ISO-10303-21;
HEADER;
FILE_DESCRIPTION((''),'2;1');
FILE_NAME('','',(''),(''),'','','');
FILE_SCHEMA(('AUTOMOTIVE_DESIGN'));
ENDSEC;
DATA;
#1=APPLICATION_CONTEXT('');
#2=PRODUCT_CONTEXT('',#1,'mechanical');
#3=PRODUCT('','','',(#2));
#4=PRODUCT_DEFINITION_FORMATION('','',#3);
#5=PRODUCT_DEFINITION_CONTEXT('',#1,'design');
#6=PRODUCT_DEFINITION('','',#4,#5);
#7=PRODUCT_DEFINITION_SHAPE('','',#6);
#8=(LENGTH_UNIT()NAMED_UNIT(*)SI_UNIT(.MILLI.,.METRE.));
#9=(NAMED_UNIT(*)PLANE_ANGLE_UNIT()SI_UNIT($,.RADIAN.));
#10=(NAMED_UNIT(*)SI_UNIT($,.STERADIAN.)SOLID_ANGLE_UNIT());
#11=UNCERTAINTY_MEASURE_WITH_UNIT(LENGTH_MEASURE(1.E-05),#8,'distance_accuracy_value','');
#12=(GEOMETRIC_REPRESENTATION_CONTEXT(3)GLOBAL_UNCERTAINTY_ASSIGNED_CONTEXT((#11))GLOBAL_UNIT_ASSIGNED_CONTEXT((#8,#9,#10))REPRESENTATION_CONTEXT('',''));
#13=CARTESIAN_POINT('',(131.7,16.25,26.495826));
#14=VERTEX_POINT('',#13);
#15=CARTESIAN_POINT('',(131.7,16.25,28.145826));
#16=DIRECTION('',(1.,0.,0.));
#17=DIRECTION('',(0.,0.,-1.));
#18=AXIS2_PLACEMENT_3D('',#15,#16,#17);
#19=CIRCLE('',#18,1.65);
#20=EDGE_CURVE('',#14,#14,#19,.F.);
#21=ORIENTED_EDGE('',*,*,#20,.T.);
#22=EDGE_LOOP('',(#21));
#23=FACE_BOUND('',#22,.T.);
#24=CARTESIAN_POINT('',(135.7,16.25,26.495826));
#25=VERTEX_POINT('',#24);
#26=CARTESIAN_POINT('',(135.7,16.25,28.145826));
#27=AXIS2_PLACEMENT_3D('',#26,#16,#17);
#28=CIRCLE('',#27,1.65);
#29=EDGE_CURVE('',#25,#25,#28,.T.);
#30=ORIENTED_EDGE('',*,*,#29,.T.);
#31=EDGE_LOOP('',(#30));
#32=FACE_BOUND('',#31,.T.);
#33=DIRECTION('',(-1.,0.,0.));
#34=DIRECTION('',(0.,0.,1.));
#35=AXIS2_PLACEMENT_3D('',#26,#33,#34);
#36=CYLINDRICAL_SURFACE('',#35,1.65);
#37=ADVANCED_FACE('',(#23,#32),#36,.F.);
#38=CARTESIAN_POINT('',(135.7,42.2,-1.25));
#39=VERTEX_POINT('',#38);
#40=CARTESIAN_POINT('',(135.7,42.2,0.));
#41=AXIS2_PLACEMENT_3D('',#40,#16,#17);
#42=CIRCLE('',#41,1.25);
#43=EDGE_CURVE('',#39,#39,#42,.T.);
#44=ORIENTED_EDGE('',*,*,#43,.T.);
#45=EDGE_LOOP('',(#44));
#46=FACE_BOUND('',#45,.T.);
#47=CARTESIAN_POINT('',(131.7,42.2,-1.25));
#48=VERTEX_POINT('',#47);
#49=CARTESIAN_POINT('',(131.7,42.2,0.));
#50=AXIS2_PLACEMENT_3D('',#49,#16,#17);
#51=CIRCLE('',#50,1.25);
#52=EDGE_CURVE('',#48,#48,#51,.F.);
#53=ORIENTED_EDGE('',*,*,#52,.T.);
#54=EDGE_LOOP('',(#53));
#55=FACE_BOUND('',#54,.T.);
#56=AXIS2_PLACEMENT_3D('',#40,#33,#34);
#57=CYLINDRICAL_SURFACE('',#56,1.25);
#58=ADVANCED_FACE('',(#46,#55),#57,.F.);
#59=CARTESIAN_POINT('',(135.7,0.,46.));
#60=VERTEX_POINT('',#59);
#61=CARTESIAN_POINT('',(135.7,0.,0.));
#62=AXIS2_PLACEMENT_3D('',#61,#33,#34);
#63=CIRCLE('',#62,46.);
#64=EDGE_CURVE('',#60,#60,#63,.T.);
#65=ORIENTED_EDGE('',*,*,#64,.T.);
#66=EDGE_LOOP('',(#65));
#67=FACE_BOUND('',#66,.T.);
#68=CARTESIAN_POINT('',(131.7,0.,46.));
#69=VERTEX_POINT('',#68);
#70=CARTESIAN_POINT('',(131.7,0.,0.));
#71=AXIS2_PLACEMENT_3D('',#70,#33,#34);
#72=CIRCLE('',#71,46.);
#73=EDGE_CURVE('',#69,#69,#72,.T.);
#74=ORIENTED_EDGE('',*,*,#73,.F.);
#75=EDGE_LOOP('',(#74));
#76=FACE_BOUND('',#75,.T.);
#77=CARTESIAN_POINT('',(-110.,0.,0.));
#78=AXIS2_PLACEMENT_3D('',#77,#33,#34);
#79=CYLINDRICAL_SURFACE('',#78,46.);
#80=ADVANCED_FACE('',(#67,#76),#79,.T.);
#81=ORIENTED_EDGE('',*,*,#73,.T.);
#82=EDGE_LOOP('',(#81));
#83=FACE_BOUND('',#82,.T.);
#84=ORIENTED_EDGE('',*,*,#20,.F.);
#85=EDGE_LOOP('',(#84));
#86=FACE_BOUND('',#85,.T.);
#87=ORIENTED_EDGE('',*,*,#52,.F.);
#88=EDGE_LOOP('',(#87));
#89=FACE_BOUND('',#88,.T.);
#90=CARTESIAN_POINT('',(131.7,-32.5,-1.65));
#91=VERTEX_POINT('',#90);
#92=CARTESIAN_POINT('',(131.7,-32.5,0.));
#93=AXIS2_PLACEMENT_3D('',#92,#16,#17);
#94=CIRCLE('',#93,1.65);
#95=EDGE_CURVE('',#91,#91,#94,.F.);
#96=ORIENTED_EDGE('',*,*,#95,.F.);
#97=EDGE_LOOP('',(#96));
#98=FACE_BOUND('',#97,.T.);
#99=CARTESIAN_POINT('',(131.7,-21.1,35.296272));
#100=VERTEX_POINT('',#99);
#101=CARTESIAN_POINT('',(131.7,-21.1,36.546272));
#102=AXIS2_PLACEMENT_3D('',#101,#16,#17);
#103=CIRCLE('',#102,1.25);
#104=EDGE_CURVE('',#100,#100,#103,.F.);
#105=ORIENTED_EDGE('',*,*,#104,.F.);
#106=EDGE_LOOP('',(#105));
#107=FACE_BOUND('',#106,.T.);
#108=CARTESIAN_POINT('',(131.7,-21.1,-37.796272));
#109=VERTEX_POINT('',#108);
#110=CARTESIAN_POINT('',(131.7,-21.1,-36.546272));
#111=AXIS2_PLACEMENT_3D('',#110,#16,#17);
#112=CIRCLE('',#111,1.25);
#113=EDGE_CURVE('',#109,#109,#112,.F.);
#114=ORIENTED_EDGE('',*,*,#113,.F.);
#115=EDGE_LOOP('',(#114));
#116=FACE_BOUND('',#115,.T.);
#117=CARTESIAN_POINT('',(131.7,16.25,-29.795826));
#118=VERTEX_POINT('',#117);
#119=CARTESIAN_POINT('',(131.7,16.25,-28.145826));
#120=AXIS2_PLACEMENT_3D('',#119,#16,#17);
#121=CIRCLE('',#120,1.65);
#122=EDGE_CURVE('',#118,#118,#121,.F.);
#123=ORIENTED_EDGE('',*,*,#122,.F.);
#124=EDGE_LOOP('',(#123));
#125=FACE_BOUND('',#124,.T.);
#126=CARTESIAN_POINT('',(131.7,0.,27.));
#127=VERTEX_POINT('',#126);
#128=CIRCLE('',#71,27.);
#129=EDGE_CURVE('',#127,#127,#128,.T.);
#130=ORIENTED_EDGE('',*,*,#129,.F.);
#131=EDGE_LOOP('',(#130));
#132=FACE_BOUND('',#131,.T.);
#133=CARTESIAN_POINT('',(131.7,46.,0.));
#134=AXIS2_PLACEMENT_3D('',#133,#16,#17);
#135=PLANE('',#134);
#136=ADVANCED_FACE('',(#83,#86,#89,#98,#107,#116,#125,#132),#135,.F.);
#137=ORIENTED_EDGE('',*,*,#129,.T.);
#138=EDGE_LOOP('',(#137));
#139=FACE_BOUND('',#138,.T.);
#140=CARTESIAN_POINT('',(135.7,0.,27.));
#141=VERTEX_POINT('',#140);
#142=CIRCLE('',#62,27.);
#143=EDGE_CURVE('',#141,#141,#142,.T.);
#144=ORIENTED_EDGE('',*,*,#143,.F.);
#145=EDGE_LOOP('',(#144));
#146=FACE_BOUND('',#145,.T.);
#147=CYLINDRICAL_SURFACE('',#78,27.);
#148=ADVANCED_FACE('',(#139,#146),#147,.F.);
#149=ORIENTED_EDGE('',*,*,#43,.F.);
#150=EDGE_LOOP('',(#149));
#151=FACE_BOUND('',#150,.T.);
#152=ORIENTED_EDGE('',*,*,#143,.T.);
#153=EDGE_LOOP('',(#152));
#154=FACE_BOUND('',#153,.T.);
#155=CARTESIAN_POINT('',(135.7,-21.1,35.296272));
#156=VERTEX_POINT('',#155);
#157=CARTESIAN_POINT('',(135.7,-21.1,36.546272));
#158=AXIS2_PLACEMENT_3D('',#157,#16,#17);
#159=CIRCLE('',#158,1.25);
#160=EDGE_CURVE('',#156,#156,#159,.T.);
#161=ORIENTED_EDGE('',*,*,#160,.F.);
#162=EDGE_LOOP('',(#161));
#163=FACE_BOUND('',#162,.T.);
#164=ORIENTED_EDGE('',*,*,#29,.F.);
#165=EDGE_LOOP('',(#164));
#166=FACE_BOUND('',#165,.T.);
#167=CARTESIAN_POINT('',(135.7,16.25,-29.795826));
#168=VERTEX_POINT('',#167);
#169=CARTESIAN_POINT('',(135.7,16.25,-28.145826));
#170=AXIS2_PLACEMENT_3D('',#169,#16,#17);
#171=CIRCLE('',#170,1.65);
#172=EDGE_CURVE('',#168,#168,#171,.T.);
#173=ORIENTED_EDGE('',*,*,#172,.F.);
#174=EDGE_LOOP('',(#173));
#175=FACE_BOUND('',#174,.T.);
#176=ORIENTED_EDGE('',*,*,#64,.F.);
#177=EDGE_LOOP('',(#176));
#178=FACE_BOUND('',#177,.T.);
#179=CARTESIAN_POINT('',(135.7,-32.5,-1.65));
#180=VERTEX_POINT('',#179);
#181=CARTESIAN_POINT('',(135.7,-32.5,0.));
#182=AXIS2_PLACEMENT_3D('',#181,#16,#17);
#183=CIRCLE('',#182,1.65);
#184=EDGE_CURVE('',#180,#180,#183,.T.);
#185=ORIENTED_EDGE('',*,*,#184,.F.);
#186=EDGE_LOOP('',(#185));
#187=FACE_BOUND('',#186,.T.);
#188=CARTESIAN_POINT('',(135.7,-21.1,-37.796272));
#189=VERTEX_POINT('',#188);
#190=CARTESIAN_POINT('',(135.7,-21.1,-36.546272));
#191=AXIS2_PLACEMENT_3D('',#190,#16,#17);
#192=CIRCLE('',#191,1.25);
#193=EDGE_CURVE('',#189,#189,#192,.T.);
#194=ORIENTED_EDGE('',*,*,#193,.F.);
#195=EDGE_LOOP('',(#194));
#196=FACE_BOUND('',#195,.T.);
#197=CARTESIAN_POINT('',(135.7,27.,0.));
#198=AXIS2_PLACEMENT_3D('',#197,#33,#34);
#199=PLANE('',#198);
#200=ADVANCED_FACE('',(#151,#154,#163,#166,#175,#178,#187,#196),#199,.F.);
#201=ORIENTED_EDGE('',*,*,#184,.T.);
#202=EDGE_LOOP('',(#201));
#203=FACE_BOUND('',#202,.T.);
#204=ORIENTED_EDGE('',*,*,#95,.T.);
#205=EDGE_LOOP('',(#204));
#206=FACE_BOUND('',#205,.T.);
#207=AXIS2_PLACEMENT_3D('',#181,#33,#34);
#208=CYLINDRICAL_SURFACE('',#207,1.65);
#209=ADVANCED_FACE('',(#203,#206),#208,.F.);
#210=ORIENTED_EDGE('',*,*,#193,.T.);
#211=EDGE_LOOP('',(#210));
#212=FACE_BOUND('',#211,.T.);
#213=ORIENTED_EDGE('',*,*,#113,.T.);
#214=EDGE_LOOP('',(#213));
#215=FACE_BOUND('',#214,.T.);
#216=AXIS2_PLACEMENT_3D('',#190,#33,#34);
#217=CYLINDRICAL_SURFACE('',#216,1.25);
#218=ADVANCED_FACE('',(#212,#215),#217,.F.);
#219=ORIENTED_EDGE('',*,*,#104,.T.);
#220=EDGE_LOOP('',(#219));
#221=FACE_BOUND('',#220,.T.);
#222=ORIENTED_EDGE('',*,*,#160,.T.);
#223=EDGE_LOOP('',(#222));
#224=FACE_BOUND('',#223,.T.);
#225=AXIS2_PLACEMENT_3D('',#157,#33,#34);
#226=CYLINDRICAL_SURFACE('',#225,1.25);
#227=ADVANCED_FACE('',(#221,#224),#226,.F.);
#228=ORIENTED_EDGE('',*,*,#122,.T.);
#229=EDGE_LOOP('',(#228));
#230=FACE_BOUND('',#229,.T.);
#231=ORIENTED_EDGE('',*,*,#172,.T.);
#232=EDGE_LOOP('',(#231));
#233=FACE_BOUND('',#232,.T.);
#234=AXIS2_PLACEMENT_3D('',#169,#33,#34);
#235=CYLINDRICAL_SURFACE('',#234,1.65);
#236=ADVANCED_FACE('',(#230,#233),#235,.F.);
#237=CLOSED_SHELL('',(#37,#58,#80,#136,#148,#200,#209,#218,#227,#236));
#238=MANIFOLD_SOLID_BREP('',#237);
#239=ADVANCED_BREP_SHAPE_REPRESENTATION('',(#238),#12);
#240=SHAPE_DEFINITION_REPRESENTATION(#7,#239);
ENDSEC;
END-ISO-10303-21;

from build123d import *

# Parameters (mm, degrees)
AXIAL_PROFILE_MM_W     = 4
AXIAL_PROFILE_MM_H     = 19
AXIAL_HOLES_DEPTH      = 151.487507787
AXIAL_HOLES_DEPTH_BACK = 151.487507787
SKETCH2_R              = 1.25
SKETCH2_R_2            = 1.65


with BuildPart() as part:
    # Axial profile (mm) → Full revolution (revolve)
    with BuildSketch(Plane.XY, mode=Mode.PRIVATE) as full_revolution_sk:
        with Locations((133.7, 36.5)):
            Rectangle(AXIAL_PROFILE_MM_W, AXIAL_PROFILE_MM_H)
    revolve(full_revolution_sk.sketch.rotate(Axis((-110, 0, 0), (1, 0, 0)), 90), axis=Axis((-110, 0, 0), (1, 0, 0)))

    # Sketch2 → Axial holes (cut, two sides: drawn at the far end of the back side and taken through both)
    with BuildSketch(Plane(origin=(0, 0, 0), x_dir=(0, 0, -1), z_dir=(1, 0, 0)).offset(-AXIAL_HOLES_DEPTH_BACK)):
        with Locations((0, 42.2)):
            Circle(SKETCH2_R)
        with Locations((-36.54627204, -21.1)):
            Circle(SKETCH2_R)
        with Locations((36.54627204, -21.1)):
            Circle(SKETCH2_R)
        with Locations((-28.145825623, 16.25)):
            Circle(SKETCH2_R_2)
        with Locations((0, -32.5)):
            Circle(SKETCH2_R_2)
        with Locations((28.145825623, 16.25)):
            Circle(SKETCH2_R_2)
    extrude(amount=AXIAL_HOLES_DEPTH + AXIAL_HOLES_DEPTH_BACK, mode=Mode.SUBTRACT)


solid = part.part
